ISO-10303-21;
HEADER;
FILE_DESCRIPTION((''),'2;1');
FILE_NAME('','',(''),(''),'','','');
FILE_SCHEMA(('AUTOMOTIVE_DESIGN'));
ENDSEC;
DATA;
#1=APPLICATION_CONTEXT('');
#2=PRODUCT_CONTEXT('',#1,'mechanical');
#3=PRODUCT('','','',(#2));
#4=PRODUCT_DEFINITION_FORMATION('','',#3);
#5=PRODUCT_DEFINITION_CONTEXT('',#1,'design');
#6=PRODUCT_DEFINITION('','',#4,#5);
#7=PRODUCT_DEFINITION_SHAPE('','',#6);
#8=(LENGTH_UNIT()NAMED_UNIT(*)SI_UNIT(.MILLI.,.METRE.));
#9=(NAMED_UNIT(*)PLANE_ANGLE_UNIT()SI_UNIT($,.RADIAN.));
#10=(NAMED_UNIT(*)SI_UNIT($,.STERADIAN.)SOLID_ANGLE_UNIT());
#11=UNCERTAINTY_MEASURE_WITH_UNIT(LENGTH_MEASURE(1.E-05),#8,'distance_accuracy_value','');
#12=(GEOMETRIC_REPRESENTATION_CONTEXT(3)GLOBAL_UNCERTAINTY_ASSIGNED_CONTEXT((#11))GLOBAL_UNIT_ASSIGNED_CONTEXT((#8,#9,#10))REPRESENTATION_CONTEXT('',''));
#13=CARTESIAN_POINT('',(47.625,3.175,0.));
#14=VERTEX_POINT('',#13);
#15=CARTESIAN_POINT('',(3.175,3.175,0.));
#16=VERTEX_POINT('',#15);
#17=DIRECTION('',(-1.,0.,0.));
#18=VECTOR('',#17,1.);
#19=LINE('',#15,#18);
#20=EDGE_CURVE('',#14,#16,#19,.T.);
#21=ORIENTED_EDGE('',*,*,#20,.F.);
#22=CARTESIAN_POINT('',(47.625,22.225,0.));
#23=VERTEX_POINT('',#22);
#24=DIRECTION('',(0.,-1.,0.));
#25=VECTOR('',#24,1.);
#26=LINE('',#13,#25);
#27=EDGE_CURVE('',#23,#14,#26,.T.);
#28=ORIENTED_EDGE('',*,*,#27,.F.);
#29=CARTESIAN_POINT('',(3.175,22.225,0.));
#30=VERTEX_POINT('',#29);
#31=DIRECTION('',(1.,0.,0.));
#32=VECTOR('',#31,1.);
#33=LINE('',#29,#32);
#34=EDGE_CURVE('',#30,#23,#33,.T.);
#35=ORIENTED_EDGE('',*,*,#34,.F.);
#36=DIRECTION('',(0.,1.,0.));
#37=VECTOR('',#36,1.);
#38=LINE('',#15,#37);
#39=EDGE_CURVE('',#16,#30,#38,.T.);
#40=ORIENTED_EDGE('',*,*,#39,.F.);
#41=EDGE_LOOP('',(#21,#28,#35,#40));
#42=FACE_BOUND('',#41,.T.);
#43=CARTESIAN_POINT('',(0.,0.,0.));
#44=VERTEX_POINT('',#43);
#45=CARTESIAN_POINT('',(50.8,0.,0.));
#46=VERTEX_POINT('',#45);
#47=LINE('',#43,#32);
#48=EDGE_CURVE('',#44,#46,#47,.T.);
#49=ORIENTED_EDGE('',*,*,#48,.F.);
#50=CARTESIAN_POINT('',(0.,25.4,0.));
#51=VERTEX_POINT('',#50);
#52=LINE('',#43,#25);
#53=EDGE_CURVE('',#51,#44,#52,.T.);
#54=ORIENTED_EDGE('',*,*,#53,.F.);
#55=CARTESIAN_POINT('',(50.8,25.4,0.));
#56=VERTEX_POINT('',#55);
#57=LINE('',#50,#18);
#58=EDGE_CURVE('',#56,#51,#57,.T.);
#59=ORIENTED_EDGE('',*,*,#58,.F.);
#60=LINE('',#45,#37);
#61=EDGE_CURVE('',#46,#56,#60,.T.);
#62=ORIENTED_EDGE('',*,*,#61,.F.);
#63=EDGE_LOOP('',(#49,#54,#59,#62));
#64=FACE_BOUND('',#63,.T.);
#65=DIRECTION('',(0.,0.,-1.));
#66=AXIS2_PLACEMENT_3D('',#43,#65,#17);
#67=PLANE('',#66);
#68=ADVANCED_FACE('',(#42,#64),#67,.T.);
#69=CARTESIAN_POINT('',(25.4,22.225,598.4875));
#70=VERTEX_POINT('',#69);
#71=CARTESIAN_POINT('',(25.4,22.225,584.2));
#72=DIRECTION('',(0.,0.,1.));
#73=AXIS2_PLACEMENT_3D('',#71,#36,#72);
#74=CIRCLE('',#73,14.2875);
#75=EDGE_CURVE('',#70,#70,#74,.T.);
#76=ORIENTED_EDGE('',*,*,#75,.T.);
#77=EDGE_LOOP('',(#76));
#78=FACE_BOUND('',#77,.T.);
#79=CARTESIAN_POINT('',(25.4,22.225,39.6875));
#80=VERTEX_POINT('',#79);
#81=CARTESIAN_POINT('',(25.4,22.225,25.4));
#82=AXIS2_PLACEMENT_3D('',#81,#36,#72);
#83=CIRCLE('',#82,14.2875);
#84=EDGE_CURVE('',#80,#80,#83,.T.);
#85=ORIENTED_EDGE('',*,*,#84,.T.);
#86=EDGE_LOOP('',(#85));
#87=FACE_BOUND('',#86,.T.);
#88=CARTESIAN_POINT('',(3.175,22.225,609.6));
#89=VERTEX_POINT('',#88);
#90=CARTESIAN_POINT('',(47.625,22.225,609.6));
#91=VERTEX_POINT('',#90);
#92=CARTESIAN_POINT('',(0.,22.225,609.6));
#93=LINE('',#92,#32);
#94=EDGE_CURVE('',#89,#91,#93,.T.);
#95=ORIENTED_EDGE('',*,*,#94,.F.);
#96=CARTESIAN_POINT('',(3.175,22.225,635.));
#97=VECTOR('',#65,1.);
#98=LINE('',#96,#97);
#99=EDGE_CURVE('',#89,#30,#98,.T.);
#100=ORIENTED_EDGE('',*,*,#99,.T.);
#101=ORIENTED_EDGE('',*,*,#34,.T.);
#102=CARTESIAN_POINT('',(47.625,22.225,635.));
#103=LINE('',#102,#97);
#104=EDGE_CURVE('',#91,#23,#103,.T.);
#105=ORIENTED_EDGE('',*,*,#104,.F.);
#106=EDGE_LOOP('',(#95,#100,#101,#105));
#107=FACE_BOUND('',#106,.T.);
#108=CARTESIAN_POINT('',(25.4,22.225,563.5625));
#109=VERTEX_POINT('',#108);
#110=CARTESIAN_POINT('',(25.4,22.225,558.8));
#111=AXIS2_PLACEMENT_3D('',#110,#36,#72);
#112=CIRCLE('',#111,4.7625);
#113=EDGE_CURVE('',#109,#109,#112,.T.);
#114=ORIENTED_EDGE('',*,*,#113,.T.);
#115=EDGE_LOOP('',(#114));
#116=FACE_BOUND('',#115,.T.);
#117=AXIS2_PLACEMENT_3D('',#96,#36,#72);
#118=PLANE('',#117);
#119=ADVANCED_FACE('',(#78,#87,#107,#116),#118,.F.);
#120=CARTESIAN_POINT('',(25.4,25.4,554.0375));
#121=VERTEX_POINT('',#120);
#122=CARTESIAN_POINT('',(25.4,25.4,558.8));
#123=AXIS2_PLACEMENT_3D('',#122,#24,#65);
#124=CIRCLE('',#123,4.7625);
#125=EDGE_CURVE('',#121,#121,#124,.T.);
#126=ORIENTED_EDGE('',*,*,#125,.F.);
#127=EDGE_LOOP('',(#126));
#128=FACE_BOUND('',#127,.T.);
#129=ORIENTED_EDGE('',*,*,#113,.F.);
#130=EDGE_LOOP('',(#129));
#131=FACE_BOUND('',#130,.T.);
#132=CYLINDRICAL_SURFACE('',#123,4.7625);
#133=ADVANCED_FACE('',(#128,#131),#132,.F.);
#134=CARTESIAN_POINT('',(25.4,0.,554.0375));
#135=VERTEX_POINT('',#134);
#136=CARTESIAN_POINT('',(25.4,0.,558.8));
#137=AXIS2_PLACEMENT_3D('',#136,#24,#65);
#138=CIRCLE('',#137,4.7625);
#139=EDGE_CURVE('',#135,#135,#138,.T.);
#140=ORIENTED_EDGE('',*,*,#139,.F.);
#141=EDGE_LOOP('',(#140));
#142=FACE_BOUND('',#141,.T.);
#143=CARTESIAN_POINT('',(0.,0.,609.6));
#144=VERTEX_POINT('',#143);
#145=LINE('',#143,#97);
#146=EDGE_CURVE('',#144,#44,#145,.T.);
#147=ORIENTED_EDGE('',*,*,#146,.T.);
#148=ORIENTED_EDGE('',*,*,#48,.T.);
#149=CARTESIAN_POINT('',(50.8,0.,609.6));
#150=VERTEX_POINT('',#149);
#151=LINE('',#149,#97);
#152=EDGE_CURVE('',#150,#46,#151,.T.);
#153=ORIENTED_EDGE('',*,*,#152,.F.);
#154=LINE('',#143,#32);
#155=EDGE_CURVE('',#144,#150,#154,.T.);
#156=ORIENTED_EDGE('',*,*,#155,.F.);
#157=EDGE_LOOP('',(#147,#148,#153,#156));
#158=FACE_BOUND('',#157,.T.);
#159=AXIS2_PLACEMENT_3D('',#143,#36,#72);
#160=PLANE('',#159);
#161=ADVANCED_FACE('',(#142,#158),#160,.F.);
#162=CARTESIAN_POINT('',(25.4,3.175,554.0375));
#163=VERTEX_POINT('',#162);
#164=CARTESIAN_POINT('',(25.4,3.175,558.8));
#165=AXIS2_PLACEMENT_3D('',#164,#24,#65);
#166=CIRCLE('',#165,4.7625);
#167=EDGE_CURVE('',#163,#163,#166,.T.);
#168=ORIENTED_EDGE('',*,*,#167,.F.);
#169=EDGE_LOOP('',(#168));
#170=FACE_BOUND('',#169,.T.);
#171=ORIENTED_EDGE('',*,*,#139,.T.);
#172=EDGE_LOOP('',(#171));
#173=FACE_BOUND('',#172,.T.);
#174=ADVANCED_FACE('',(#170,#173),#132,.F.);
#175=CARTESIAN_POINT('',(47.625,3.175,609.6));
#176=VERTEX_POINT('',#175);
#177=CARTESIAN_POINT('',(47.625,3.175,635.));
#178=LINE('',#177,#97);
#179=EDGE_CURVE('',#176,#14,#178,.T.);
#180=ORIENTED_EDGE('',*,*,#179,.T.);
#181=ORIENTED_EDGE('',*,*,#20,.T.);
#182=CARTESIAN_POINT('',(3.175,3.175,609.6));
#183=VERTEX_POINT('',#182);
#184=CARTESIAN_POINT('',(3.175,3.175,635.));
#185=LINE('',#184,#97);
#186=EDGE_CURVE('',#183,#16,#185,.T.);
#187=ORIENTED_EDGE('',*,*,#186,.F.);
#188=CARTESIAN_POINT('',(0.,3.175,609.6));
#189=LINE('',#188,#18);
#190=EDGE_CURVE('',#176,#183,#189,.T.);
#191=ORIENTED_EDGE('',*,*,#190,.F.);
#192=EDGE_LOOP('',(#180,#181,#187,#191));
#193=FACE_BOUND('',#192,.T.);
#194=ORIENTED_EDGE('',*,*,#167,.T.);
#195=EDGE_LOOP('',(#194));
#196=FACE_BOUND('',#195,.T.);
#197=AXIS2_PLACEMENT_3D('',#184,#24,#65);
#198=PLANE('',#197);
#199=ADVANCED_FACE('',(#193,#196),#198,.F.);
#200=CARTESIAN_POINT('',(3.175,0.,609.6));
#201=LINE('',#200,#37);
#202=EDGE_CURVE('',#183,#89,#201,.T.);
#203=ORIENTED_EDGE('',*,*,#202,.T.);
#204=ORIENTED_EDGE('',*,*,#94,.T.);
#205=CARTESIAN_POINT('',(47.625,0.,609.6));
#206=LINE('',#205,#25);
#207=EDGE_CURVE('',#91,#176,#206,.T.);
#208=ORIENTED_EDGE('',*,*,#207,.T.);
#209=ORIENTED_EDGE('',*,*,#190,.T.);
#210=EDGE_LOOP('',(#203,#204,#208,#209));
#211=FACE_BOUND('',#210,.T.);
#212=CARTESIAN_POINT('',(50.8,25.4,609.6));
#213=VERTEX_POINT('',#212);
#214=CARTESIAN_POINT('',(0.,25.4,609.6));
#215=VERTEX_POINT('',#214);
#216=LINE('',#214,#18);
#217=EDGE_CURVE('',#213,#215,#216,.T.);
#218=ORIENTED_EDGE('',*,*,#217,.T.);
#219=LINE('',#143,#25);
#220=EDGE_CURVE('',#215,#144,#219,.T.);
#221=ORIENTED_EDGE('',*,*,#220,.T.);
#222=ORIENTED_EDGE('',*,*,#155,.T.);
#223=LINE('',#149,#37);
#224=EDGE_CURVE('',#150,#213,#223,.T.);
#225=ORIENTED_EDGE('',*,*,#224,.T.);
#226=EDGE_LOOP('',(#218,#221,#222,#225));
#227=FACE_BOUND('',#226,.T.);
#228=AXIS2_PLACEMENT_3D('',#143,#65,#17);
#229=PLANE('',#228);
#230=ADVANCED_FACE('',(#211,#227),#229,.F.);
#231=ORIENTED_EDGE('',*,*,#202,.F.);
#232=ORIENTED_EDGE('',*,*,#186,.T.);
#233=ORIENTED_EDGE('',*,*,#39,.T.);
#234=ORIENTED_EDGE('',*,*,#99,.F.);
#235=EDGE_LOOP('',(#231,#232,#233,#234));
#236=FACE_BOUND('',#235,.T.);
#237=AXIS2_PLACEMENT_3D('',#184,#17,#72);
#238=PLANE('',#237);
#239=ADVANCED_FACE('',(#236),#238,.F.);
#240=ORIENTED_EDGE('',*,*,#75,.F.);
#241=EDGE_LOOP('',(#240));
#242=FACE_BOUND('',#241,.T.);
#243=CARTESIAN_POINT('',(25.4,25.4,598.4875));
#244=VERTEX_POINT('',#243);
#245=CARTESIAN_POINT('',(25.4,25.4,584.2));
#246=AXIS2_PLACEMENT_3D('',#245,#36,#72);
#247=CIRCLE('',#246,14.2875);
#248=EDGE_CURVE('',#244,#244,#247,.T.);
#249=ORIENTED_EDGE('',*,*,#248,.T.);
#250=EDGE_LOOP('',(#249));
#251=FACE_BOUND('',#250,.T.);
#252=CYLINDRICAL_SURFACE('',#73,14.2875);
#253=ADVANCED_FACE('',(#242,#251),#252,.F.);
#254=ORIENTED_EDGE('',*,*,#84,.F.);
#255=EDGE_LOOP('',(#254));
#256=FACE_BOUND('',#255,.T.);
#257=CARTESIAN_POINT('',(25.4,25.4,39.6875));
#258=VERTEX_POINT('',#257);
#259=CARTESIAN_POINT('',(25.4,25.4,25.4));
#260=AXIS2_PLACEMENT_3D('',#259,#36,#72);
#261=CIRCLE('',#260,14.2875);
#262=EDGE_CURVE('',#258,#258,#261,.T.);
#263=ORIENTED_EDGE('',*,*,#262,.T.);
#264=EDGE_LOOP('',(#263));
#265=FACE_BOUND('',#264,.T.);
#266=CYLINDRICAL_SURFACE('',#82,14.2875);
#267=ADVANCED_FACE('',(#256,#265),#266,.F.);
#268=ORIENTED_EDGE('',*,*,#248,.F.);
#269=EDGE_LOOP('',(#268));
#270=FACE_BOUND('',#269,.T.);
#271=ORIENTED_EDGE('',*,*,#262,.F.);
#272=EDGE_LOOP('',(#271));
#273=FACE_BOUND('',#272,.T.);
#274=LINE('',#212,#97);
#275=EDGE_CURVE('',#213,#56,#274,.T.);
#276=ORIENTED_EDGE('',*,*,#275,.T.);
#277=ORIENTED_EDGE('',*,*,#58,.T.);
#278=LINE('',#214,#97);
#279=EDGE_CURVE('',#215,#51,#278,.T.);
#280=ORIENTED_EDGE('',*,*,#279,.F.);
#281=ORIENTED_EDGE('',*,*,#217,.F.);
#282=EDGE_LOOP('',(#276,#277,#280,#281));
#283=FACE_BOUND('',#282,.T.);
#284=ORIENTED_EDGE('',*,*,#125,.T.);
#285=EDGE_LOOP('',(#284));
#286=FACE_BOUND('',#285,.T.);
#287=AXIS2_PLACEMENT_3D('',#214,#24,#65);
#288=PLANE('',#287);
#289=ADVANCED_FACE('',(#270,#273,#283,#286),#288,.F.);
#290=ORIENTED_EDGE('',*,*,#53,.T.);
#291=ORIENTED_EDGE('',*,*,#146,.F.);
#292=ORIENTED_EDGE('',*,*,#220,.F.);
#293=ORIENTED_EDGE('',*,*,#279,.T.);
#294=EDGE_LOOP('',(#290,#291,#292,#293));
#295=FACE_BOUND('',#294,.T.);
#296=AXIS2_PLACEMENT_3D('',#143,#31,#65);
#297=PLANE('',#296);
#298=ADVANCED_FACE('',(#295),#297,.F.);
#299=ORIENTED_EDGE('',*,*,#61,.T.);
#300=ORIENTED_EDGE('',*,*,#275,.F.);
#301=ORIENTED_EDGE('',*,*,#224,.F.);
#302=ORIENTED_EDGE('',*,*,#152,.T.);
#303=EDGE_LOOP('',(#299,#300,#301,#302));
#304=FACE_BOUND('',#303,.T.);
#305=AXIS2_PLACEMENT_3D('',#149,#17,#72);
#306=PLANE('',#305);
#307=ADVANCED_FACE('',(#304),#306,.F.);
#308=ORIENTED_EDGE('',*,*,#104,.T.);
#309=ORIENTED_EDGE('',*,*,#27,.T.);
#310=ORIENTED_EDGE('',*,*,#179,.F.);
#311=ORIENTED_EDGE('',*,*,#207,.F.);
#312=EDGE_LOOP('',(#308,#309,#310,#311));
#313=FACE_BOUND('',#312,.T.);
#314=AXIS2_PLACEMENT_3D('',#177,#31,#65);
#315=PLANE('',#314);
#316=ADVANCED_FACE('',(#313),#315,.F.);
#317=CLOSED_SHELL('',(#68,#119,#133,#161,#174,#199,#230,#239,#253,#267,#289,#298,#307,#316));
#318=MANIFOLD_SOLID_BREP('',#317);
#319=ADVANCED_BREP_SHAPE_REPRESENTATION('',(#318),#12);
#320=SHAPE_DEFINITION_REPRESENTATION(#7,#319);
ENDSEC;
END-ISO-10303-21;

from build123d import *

# Parameters (mm, degrees)
SKETCH1_W           = 50.8
SKETCH1_H           = 25.4
BOSS_EXTRUDE1_DEPTH = 609.6
SKETCH2_W           = 44.45
SKETCH2_H           = 19.05
CUT_EXTRUDE1_DEPTH  = 635
SKETCH6_R           = 14.2875
CUT_EXTRUDE5_DEPTH  = 3.175
SKETCH7_R           = 14.2875
CUT_EXTRUDE6_DEPTH  = 3.175
SKETCH8_R           = 4.7625
CUT_EXTRUDE7_DEPTH  = 25.4


with BuildPart() as part:
    # Sketch1 → Boss-Extrude1 (new body)
    with BuildSketch(Plane.XY):
        with Locations((25.4, 12.7)):
            Rectangle(SKETCH1_W, SKETCH1_H)
    extrude(amount=BOSS_EXTRUDE1_DEPTH)

    # Sketch2 → Cut-Extrude1 (cut)
    with BuildSketch(Plane(origin=(0, 0, 0), x_dir=(-1, 0, 0), z_dir=(0, 0, -1))):
        with Locations((-25.4, 12.7)):
            Rectangle(SKETCH2_W, SKETCH2_H)
    extrude(amount=-CUT_EXTRUDE1_DEPTH, mode=Mode.SUBTRACT)

    # Sketch6 → Cut-Extrude5 (cut)
    with BuildSketch(Plane(origin=(0, 25.4, 0), x_dir=(1, 0, 0), z_dir=(0, 1, 0))):
        with Locations((25.4, -25.4)):
            Circle(SKETCH6_R)
    extrude(amount=-CUT_EXTRUDE5_DEPTH, mode=Mode.SUBTRACT)

    # Sketch7 → Cut-Extrude6 (cut)
    with BuildSketch(Plane(origin=(0, 25.4, 0), x_dir=(1, 0, 0), z_dir=(0, 1, 0))):
        with Locations((25.4, -584.2)):
            Circle(SKETCH7_R)
    extrude(amount=-CUT_EXTRUDE6_DEPTH, mode=Mode.SUBTRACT)

    # Sketch8 → Cut-Extrude7 (cut)
    with BuildSketch(Plane(origin=(0, 0, 0), x_dir=(-1, 0, 0), z_dir=(0, -1, 0))):
        with Locations((-25.4, -558.8)):
            Circle(SKETCH8_R)
    extrude(amount=-CUT_EXTRUDE7_DEPTH, mode=Mode.SUBTRACT)


solid = part.part
